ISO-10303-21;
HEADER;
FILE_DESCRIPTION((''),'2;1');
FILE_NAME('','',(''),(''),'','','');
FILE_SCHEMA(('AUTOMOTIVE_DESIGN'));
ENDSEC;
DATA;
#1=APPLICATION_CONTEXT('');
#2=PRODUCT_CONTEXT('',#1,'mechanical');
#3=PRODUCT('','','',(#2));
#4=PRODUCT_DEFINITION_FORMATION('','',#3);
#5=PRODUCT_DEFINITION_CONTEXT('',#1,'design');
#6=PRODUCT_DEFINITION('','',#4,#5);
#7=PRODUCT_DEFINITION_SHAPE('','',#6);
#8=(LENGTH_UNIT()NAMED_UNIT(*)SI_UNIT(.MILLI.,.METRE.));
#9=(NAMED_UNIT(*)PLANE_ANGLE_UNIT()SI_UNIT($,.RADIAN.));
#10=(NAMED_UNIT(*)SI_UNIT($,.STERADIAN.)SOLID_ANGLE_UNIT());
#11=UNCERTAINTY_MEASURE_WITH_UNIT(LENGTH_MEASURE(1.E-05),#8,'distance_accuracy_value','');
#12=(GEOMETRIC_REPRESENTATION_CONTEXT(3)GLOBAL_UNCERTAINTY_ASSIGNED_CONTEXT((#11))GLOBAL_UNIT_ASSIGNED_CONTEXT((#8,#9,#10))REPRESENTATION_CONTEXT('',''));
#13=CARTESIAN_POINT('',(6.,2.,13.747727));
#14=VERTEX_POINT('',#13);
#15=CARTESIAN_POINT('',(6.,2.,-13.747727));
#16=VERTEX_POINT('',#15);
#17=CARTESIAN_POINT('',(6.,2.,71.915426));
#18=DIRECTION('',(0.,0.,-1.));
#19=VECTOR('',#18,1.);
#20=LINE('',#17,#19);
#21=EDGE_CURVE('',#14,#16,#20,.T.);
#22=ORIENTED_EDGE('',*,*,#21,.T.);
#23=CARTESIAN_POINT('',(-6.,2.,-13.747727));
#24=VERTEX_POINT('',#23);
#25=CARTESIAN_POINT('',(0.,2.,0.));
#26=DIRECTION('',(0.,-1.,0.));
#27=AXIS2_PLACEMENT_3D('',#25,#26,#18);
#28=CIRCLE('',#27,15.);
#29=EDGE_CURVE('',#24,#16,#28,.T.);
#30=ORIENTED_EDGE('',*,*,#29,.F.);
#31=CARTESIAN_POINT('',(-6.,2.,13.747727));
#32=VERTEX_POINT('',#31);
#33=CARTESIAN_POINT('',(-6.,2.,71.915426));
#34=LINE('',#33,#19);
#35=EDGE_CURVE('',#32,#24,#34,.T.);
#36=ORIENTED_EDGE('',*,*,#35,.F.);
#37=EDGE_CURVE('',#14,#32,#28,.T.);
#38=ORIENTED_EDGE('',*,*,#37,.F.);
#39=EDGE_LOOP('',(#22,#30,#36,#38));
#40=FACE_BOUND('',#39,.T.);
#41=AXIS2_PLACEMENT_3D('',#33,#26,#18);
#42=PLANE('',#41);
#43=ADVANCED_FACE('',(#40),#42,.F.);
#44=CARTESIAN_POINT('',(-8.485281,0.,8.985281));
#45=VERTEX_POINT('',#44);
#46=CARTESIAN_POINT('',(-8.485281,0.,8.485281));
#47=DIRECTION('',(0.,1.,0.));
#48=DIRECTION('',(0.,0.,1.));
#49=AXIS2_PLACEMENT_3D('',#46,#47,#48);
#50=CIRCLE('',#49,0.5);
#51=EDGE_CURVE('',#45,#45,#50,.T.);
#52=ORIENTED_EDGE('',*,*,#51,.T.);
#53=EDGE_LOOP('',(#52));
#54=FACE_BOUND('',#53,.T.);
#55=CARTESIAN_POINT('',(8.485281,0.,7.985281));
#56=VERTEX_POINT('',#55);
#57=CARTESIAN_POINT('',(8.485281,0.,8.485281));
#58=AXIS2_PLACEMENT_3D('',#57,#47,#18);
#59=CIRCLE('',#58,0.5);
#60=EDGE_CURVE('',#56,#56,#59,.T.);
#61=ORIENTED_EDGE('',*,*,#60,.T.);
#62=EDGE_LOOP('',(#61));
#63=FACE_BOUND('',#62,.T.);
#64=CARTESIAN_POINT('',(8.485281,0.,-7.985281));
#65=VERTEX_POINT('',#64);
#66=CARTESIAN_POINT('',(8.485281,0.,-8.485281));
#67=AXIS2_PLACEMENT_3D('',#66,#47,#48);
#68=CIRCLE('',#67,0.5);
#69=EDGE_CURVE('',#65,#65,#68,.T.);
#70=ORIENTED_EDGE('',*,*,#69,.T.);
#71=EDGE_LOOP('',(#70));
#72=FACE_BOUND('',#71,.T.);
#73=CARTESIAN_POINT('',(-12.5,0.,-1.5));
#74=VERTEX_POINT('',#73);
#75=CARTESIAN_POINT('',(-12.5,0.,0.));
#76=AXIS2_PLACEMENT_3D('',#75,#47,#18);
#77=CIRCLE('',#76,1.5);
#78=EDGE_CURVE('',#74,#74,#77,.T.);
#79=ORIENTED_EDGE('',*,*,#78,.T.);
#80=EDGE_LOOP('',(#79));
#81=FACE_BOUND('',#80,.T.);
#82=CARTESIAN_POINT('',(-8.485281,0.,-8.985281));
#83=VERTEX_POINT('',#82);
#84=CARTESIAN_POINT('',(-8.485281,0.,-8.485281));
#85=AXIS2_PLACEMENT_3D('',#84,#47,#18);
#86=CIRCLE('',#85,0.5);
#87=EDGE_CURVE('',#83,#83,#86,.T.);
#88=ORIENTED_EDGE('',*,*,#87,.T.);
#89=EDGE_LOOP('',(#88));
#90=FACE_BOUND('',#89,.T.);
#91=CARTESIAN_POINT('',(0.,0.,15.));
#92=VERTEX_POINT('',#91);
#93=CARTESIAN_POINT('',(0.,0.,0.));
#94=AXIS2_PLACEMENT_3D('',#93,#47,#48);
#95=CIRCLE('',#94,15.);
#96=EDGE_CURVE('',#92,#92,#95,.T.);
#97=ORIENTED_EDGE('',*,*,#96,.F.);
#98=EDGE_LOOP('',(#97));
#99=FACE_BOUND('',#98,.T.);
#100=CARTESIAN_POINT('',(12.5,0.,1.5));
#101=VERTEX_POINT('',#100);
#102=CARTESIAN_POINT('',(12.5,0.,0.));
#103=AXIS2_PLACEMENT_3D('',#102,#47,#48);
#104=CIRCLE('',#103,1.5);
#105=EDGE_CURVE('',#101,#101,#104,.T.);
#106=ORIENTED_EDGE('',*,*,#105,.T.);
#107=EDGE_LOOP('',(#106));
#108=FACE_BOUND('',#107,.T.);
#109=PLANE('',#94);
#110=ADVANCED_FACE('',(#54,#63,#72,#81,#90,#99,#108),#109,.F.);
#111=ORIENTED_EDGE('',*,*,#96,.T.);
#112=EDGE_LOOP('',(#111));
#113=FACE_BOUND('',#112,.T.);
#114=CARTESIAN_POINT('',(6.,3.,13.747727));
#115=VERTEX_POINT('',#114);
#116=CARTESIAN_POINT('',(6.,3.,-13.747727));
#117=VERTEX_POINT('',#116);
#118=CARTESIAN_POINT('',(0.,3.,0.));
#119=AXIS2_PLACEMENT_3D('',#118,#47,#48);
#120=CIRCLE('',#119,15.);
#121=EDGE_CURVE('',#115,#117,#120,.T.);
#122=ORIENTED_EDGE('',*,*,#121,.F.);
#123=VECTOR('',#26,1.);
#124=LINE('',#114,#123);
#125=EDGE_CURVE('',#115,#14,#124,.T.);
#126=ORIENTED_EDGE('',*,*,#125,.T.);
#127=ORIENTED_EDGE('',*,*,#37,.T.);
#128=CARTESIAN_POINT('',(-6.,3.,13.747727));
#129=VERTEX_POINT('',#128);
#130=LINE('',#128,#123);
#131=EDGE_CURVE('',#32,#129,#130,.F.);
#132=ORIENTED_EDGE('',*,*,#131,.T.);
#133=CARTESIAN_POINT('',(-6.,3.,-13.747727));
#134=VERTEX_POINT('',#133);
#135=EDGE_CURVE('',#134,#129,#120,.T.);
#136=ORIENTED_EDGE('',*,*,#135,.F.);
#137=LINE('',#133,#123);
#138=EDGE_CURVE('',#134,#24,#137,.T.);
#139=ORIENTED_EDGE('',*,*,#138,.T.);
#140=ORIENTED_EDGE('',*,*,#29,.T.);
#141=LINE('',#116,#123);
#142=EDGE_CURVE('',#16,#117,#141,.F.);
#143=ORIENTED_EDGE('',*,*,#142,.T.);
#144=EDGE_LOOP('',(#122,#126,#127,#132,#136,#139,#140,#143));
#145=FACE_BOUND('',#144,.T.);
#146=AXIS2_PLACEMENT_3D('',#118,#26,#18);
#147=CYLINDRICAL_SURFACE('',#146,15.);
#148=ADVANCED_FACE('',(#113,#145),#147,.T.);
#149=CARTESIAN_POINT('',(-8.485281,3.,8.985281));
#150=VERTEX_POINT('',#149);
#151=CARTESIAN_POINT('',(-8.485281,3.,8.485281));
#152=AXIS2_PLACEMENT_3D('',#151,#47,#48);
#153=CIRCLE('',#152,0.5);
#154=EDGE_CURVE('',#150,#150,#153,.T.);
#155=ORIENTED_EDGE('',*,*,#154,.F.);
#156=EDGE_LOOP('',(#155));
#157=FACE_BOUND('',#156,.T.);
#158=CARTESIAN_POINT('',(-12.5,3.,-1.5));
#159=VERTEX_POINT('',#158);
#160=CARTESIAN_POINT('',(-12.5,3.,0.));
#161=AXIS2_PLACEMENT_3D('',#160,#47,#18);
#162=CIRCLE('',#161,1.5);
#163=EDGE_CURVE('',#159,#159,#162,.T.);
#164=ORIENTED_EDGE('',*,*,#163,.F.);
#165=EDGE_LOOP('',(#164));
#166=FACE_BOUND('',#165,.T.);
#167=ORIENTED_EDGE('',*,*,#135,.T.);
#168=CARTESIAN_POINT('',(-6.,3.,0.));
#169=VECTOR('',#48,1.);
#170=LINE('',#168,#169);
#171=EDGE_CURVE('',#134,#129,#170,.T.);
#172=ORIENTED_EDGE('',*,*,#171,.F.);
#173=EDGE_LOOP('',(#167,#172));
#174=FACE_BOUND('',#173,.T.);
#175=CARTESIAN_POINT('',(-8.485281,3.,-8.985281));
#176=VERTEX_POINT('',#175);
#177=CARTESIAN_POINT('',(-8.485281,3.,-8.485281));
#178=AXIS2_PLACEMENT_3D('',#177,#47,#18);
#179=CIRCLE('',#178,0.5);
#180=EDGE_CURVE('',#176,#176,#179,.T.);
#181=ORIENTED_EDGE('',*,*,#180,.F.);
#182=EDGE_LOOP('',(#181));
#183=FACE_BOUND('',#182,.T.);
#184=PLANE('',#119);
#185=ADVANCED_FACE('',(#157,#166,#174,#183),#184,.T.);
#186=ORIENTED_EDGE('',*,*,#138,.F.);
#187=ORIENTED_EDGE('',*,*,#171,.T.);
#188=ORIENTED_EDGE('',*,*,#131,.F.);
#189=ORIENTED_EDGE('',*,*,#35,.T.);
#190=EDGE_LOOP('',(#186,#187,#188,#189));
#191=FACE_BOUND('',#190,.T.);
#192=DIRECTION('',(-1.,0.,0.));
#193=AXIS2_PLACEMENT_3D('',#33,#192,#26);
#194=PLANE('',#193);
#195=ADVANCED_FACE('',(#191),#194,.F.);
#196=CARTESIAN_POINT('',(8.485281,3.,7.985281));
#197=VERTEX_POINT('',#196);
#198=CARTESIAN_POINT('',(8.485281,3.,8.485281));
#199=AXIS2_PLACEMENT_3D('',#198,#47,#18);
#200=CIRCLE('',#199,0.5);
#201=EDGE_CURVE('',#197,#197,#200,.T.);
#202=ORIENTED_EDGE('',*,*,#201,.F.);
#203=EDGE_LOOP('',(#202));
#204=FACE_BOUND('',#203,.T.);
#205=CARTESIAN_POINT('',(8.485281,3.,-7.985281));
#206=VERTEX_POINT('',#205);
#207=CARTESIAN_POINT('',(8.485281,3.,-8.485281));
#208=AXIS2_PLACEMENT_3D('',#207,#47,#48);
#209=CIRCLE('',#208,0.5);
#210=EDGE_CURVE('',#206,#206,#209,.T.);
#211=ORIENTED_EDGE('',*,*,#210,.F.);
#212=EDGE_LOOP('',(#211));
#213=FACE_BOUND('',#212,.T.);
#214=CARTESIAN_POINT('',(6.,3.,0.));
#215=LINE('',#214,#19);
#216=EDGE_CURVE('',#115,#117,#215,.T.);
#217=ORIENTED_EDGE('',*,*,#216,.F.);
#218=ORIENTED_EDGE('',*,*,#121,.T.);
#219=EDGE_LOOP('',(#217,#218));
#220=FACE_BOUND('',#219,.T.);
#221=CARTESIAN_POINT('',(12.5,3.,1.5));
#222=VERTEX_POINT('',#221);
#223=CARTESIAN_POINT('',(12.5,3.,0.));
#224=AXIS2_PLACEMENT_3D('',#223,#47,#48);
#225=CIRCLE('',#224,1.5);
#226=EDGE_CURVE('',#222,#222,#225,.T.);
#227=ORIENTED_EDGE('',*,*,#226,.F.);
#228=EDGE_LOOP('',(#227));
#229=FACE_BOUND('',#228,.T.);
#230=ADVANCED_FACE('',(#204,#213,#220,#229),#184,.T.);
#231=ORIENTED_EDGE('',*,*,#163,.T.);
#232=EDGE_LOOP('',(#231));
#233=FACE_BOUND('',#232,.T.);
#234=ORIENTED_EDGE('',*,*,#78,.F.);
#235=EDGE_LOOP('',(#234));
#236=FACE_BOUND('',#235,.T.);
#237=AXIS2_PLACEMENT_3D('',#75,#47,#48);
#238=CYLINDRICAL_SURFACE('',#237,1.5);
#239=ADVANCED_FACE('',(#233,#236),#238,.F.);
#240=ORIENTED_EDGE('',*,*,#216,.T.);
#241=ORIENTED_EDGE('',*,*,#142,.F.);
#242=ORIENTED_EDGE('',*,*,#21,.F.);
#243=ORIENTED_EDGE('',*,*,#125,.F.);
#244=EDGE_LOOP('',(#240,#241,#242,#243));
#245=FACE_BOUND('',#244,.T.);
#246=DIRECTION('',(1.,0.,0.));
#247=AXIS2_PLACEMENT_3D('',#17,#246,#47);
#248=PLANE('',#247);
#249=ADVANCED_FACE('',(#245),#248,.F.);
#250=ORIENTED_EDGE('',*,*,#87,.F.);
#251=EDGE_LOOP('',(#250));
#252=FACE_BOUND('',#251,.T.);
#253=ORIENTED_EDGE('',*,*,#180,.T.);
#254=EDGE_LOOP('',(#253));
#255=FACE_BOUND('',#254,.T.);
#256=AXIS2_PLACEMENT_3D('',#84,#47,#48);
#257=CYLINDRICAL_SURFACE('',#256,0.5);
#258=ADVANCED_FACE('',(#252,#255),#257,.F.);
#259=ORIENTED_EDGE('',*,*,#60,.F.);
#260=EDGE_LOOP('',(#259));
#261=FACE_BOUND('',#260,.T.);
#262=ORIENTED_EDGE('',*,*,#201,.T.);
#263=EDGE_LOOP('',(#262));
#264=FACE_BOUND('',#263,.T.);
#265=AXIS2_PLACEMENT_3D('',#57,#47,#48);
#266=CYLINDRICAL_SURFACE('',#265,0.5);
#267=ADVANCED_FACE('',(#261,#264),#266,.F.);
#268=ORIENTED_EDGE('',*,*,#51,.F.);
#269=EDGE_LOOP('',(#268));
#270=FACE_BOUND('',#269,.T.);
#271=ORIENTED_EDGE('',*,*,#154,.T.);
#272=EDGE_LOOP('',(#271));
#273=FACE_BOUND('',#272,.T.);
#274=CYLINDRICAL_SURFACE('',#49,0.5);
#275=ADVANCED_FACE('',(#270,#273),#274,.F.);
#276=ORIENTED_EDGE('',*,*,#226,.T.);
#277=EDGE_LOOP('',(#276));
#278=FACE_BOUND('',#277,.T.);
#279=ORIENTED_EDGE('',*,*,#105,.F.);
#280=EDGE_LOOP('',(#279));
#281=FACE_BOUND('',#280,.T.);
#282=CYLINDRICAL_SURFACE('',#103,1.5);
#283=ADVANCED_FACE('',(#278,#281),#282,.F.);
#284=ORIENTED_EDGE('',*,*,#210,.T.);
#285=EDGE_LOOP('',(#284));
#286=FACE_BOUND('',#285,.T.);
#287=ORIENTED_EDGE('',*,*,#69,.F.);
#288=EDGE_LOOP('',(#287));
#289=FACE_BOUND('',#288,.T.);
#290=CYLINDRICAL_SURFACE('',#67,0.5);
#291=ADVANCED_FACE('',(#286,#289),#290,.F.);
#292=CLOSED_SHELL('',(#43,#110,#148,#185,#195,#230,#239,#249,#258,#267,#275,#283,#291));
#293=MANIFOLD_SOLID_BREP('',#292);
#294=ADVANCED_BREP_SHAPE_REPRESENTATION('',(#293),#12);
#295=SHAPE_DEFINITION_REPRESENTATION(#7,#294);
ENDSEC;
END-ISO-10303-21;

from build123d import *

# Parameters (mm, degrees)
SKETCH_1_R               = 15
EXTRUDE_1_DEPTH          = 3
CUT_EXTRUDE_2_DEPTH      = 22.424285286
CUT_EXTRUDE_2_DEPTH_BACK = 22.424285286
SKETCH_3_R               = 1.5
CUT_EXTRUDE_3_DEPTH      = 3
SKETCH_4_R               = 0.5
CUT_EXTRUDE_4_DEPTH      = 3


with BuildPart() as part:
    # 草图1 → 凸台-拉伸1 (new body)
    with BuildSketch(Plane(origin=(0, 0, 0), x_dir=(1, 0, 0), z_dir=(0, 1, 0))):
        with Locations(Location((0, 0, 0), (0, 0, 270))):
            Circle(SKETCH_1_R)
    extrude(amount=EXTRUDE_1_DEPTH)

    # 草图2 → 切除-拉伸2 (cut, two sides: drawn at the far end of the back side and taken through both)
    with BuildSketch(Plane.XY.offset(-CUT_EXTRUDE_2_DEPTH_BACK)):
        Polygon((-6, 55.426406871), (-6, 3), (-6, 2), (6, 2), (6, 3), (6, 55.426406871), (6, 160.279220614), (-6, 160.279220614), align=None)
    extrude(amount=CUT_EXTRUDE_2_DEPTH + CUT_EXTRUDE_2_DEPTH_BACK, mode=Mode.SUBTRACT)

    # 草图3 → 切除-拉伸3 (cut)
    with BuildSketch(Plane(origin=(0, 3, 0), x_dir=(1, 0, 0), z_dir=(0, 1, 0))):
        with Locations(Location((12.5, 0, 0), (0, 0, 270))):
            Circle(SKETCH_3_R)
        with Locations(Location((-12.5, 0, 0), (0, 0, 90))):
            Circle(SKETCH_3_R)
    extrude(amount=-CUT_EXTRUDE_3_DEPTH, mode=Mode.SUBTRACT)

    # 草图4 → 切除-拉伸4 (cut)
    with BuildSketch(Plane(origin=(0, 3, 0), x_dir=(1, 0, 0), z_dir=(0, 1, 0))):
        with Locations(Location((8.485281374, 8.485281374, 0), (0, 0, 270))):
            Circle(SKETCH_4_R)
        with Locations(Location((-8.485281374, 8.485281374, 0), (0, 0, 90))):
            Circle(SKETCH_4_R)
        with Locations(Location((8.485281374, -8.485281374, 0), (0, 0, 90))):
            Circle(SKETCH_4_R)
        with Locations(Location((-8.485281374, -8.485281374, 0), (0, 0, 270))):
            Circle(SKETCH_4_R)
    extrude(amount=-CUT_EXTRUDE_4_DEPTH, mode=Mode.SUBTRACT)


solid = part.part
